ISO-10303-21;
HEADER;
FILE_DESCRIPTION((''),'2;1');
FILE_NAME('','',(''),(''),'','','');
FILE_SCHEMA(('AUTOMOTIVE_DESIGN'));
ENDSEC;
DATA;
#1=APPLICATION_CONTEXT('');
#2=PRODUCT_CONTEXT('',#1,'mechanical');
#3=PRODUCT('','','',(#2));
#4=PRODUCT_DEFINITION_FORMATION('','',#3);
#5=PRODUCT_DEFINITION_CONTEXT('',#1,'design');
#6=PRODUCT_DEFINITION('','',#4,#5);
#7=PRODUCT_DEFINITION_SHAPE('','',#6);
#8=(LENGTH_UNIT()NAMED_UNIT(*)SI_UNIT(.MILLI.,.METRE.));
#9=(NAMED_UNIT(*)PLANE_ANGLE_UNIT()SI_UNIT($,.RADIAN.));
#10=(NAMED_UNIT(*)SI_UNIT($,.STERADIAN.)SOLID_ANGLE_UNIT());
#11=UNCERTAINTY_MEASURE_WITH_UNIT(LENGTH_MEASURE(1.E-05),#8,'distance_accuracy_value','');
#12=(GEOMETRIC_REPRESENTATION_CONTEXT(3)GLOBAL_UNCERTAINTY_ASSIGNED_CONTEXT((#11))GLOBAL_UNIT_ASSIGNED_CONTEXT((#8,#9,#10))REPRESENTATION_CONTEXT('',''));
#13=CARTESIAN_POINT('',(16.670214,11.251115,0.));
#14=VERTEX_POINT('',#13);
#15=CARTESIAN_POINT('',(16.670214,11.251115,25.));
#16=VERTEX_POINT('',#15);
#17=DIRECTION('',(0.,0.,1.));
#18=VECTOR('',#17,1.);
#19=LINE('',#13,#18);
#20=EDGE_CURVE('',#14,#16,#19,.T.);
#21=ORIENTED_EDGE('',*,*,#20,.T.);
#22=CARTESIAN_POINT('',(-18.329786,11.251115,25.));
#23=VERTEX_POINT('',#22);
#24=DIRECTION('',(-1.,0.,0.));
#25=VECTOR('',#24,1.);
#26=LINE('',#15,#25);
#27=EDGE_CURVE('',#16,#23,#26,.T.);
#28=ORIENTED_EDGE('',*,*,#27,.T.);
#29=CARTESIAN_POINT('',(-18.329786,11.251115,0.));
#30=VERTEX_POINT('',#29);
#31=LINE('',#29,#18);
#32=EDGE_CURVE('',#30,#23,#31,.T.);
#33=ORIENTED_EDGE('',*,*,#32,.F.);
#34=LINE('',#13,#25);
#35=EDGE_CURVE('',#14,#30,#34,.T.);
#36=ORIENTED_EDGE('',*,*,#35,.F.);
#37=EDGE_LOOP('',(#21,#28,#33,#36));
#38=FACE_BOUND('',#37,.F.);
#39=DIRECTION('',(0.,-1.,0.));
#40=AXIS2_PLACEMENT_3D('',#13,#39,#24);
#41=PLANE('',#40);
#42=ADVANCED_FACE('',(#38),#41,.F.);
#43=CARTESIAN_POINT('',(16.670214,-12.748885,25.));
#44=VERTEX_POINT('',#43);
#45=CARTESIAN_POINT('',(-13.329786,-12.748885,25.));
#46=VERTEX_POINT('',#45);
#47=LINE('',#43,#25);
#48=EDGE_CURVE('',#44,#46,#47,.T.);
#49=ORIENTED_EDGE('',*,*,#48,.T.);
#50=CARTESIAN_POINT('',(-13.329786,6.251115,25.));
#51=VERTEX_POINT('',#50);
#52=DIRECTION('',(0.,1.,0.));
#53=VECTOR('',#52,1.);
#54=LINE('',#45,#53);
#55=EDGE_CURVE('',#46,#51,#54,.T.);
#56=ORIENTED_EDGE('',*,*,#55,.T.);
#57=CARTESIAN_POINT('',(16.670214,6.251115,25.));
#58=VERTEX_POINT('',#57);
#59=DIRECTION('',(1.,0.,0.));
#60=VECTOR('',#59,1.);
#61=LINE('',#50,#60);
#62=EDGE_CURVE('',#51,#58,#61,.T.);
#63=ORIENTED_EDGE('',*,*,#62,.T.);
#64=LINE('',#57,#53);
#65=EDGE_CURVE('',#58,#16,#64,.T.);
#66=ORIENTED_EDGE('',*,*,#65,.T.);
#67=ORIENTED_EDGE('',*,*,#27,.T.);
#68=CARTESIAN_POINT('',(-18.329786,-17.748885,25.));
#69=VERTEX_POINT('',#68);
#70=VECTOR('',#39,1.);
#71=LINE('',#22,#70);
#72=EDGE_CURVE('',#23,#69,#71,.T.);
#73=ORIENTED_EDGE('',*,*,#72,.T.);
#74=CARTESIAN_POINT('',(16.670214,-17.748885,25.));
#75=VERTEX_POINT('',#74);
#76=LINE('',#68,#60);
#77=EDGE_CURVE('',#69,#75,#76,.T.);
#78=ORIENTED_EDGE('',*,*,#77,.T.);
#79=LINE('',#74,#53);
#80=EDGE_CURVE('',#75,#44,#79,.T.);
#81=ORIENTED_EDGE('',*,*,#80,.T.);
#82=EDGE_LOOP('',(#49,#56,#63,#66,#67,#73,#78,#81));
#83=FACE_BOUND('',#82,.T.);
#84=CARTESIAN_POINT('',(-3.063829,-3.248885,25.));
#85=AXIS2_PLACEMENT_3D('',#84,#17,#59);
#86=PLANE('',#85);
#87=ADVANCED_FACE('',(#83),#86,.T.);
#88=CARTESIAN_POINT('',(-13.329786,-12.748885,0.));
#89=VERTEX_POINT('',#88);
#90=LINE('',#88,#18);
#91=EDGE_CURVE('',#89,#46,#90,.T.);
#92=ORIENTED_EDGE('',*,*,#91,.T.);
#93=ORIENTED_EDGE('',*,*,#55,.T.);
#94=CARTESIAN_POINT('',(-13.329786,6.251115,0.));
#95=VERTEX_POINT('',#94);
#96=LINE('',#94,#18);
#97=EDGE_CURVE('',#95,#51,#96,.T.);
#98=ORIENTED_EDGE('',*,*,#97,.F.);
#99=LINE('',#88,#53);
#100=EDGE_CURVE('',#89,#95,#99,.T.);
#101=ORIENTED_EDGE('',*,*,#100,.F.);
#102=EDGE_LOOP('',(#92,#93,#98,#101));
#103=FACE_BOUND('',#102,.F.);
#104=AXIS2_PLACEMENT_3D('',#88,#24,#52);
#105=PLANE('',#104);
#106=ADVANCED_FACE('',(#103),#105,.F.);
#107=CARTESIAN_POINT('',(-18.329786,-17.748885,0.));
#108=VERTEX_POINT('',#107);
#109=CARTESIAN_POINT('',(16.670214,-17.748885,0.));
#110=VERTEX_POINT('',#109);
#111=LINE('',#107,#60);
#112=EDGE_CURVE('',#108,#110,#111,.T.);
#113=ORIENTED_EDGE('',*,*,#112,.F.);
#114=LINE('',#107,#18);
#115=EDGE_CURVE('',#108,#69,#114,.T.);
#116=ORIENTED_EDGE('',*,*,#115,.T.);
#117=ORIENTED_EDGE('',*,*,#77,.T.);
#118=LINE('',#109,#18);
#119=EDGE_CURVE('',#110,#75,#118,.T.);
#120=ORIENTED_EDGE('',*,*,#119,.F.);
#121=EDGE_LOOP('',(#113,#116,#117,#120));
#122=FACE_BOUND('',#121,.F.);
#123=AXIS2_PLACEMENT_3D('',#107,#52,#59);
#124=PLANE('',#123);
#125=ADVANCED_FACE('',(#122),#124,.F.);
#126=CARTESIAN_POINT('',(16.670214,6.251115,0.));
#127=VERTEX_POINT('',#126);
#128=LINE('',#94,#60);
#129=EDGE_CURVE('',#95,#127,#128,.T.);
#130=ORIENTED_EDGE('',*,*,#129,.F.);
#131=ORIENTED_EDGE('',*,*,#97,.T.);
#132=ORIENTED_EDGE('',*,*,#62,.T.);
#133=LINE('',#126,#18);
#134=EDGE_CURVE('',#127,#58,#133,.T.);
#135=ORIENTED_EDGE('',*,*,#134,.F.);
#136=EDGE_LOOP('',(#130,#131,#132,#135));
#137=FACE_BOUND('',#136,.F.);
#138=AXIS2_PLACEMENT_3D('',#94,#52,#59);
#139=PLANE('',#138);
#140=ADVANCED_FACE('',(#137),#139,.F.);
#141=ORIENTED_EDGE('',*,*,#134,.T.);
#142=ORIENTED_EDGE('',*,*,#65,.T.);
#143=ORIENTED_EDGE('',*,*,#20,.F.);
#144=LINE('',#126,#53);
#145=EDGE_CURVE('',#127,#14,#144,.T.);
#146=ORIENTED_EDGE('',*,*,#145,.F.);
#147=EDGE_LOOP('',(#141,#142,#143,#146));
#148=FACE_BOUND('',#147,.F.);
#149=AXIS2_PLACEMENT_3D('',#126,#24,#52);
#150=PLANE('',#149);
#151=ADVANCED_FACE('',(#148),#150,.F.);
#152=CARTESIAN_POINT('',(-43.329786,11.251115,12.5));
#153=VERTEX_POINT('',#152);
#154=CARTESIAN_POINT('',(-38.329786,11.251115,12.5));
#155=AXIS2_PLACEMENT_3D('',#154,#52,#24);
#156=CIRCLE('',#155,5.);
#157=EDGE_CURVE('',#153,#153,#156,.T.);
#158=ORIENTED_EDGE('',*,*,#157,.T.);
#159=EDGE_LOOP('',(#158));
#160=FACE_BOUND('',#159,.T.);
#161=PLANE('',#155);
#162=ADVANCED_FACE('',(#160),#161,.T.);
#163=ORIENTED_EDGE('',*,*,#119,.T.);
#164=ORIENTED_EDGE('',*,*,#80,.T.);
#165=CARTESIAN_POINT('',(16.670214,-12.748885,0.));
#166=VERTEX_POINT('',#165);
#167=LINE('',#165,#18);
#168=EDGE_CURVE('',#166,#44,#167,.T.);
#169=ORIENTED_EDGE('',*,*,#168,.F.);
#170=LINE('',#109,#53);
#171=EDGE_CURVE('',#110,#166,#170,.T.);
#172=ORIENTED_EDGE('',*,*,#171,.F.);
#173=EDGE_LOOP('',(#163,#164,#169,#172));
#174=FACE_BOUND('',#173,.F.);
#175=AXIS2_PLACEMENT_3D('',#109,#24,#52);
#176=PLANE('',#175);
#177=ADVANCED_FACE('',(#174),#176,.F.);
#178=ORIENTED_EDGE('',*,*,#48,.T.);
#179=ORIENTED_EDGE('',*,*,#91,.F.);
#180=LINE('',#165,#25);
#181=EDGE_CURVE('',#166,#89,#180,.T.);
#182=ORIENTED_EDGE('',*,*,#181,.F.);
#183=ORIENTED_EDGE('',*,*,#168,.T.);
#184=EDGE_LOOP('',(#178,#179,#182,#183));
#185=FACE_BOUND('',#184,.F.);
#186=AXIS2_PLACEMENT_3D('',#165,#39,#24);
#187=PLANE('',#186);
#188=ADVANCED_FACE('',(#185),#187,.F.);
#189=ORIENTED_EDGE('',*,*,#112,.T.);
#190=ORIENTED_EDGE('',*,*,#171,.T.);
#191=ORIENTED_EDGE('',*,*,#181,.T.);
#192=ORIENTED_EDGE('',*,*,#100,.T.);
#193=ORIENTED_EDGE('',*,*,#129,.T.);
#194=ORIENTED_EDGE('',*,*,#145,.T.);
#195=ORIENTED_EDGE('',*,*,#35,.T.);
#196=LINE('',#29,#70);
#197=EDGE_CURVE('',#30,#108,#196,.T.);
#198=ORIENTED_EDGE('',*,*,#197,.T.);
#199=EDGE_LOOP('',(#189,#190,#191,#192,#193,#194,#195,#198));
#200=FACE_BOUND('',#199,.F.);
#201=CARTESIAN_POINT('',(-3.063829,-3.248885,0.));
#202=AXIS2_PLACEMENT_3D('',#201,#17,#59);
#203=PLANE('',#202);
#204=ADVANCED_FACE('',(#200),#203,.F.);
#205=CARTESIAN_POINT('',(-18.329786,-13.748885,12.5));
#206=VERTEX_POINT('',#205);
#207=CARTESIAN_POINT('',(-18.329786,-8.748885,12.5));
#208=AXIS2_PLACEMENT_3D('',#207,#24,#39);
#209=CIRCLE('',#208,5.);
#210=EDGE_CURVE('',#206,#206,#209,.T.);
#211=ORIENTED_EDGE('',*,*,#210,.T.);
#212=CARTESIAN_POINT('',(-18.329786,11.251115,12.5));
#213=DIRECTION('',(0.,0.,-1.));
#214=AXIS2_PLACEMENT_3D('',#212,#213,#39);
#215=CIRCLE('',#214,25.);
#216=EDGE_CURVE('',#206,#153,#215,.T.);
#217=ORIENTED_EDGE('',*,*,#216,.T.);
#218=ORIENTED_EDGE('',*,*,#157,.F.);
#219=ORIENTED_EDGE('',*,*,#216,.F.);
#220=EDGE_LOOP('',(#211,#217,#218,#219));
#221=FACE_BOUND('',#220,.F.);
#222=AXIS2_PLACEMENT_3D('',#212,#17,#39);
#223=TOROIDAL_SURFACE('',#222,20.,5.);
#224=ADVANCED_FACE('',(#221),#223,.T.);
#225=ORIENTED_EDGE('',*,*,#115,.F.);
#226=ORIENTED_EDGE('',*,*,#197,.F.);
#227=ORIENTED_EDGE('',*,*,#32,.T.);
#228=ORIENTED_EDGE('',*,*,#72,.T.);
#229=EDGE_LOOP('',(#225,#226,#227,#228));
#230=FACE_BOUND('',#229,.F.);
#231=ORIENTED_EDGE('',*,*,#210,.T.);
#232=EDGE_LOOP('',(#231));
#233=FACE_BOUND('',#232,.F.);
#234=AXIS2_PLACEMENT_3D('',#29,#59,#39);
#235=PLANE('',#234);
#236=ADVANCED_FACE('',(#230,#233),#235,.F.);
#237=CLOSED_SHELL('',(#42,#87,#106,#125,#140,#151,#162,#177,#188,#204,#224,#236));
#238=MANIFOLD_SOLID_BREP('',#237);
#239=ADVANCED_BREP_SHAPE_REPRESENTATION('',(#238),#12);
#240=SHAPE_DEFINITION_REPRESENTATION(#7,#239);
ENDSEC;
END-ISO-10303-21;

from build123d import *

# Parameters (mm, degrees)
F1_DEPTH = 25
F2_R     = 5
F3_ANGLE = -90


with BuildPart() as f1:
    # F0 (on Top) → F1 (new body)
    with BuildSketch(Plane.XY):
        Polygon((16.670214, 11.251115), (-18.329786, 11.251115), (-18.329786, -17.748885), (16.670214, -17.748885), (16.670214, -12.748885), (-13.329786, -12.748885), (-13.329786, 6.251115), (16.670214, 6.251115), align=None)
    extrude(amount=F1_DEPTH)

    # F2 (on face) → F3 (revolve)
    with BuildSketch(Plane(origin=(-18.329786, 0, 0), x_dir=(0, -1, 0), z_dir=(-1, 0, 0))):
        with Locations((8.748885, 12.5)):
            Circle(F2_R)
    revolve(axis=Axis((-18.329786, 11.251115, 13.872466), (0, 0, 1)), revolution_arc=F3_ANGLE)


solid = f1.part
